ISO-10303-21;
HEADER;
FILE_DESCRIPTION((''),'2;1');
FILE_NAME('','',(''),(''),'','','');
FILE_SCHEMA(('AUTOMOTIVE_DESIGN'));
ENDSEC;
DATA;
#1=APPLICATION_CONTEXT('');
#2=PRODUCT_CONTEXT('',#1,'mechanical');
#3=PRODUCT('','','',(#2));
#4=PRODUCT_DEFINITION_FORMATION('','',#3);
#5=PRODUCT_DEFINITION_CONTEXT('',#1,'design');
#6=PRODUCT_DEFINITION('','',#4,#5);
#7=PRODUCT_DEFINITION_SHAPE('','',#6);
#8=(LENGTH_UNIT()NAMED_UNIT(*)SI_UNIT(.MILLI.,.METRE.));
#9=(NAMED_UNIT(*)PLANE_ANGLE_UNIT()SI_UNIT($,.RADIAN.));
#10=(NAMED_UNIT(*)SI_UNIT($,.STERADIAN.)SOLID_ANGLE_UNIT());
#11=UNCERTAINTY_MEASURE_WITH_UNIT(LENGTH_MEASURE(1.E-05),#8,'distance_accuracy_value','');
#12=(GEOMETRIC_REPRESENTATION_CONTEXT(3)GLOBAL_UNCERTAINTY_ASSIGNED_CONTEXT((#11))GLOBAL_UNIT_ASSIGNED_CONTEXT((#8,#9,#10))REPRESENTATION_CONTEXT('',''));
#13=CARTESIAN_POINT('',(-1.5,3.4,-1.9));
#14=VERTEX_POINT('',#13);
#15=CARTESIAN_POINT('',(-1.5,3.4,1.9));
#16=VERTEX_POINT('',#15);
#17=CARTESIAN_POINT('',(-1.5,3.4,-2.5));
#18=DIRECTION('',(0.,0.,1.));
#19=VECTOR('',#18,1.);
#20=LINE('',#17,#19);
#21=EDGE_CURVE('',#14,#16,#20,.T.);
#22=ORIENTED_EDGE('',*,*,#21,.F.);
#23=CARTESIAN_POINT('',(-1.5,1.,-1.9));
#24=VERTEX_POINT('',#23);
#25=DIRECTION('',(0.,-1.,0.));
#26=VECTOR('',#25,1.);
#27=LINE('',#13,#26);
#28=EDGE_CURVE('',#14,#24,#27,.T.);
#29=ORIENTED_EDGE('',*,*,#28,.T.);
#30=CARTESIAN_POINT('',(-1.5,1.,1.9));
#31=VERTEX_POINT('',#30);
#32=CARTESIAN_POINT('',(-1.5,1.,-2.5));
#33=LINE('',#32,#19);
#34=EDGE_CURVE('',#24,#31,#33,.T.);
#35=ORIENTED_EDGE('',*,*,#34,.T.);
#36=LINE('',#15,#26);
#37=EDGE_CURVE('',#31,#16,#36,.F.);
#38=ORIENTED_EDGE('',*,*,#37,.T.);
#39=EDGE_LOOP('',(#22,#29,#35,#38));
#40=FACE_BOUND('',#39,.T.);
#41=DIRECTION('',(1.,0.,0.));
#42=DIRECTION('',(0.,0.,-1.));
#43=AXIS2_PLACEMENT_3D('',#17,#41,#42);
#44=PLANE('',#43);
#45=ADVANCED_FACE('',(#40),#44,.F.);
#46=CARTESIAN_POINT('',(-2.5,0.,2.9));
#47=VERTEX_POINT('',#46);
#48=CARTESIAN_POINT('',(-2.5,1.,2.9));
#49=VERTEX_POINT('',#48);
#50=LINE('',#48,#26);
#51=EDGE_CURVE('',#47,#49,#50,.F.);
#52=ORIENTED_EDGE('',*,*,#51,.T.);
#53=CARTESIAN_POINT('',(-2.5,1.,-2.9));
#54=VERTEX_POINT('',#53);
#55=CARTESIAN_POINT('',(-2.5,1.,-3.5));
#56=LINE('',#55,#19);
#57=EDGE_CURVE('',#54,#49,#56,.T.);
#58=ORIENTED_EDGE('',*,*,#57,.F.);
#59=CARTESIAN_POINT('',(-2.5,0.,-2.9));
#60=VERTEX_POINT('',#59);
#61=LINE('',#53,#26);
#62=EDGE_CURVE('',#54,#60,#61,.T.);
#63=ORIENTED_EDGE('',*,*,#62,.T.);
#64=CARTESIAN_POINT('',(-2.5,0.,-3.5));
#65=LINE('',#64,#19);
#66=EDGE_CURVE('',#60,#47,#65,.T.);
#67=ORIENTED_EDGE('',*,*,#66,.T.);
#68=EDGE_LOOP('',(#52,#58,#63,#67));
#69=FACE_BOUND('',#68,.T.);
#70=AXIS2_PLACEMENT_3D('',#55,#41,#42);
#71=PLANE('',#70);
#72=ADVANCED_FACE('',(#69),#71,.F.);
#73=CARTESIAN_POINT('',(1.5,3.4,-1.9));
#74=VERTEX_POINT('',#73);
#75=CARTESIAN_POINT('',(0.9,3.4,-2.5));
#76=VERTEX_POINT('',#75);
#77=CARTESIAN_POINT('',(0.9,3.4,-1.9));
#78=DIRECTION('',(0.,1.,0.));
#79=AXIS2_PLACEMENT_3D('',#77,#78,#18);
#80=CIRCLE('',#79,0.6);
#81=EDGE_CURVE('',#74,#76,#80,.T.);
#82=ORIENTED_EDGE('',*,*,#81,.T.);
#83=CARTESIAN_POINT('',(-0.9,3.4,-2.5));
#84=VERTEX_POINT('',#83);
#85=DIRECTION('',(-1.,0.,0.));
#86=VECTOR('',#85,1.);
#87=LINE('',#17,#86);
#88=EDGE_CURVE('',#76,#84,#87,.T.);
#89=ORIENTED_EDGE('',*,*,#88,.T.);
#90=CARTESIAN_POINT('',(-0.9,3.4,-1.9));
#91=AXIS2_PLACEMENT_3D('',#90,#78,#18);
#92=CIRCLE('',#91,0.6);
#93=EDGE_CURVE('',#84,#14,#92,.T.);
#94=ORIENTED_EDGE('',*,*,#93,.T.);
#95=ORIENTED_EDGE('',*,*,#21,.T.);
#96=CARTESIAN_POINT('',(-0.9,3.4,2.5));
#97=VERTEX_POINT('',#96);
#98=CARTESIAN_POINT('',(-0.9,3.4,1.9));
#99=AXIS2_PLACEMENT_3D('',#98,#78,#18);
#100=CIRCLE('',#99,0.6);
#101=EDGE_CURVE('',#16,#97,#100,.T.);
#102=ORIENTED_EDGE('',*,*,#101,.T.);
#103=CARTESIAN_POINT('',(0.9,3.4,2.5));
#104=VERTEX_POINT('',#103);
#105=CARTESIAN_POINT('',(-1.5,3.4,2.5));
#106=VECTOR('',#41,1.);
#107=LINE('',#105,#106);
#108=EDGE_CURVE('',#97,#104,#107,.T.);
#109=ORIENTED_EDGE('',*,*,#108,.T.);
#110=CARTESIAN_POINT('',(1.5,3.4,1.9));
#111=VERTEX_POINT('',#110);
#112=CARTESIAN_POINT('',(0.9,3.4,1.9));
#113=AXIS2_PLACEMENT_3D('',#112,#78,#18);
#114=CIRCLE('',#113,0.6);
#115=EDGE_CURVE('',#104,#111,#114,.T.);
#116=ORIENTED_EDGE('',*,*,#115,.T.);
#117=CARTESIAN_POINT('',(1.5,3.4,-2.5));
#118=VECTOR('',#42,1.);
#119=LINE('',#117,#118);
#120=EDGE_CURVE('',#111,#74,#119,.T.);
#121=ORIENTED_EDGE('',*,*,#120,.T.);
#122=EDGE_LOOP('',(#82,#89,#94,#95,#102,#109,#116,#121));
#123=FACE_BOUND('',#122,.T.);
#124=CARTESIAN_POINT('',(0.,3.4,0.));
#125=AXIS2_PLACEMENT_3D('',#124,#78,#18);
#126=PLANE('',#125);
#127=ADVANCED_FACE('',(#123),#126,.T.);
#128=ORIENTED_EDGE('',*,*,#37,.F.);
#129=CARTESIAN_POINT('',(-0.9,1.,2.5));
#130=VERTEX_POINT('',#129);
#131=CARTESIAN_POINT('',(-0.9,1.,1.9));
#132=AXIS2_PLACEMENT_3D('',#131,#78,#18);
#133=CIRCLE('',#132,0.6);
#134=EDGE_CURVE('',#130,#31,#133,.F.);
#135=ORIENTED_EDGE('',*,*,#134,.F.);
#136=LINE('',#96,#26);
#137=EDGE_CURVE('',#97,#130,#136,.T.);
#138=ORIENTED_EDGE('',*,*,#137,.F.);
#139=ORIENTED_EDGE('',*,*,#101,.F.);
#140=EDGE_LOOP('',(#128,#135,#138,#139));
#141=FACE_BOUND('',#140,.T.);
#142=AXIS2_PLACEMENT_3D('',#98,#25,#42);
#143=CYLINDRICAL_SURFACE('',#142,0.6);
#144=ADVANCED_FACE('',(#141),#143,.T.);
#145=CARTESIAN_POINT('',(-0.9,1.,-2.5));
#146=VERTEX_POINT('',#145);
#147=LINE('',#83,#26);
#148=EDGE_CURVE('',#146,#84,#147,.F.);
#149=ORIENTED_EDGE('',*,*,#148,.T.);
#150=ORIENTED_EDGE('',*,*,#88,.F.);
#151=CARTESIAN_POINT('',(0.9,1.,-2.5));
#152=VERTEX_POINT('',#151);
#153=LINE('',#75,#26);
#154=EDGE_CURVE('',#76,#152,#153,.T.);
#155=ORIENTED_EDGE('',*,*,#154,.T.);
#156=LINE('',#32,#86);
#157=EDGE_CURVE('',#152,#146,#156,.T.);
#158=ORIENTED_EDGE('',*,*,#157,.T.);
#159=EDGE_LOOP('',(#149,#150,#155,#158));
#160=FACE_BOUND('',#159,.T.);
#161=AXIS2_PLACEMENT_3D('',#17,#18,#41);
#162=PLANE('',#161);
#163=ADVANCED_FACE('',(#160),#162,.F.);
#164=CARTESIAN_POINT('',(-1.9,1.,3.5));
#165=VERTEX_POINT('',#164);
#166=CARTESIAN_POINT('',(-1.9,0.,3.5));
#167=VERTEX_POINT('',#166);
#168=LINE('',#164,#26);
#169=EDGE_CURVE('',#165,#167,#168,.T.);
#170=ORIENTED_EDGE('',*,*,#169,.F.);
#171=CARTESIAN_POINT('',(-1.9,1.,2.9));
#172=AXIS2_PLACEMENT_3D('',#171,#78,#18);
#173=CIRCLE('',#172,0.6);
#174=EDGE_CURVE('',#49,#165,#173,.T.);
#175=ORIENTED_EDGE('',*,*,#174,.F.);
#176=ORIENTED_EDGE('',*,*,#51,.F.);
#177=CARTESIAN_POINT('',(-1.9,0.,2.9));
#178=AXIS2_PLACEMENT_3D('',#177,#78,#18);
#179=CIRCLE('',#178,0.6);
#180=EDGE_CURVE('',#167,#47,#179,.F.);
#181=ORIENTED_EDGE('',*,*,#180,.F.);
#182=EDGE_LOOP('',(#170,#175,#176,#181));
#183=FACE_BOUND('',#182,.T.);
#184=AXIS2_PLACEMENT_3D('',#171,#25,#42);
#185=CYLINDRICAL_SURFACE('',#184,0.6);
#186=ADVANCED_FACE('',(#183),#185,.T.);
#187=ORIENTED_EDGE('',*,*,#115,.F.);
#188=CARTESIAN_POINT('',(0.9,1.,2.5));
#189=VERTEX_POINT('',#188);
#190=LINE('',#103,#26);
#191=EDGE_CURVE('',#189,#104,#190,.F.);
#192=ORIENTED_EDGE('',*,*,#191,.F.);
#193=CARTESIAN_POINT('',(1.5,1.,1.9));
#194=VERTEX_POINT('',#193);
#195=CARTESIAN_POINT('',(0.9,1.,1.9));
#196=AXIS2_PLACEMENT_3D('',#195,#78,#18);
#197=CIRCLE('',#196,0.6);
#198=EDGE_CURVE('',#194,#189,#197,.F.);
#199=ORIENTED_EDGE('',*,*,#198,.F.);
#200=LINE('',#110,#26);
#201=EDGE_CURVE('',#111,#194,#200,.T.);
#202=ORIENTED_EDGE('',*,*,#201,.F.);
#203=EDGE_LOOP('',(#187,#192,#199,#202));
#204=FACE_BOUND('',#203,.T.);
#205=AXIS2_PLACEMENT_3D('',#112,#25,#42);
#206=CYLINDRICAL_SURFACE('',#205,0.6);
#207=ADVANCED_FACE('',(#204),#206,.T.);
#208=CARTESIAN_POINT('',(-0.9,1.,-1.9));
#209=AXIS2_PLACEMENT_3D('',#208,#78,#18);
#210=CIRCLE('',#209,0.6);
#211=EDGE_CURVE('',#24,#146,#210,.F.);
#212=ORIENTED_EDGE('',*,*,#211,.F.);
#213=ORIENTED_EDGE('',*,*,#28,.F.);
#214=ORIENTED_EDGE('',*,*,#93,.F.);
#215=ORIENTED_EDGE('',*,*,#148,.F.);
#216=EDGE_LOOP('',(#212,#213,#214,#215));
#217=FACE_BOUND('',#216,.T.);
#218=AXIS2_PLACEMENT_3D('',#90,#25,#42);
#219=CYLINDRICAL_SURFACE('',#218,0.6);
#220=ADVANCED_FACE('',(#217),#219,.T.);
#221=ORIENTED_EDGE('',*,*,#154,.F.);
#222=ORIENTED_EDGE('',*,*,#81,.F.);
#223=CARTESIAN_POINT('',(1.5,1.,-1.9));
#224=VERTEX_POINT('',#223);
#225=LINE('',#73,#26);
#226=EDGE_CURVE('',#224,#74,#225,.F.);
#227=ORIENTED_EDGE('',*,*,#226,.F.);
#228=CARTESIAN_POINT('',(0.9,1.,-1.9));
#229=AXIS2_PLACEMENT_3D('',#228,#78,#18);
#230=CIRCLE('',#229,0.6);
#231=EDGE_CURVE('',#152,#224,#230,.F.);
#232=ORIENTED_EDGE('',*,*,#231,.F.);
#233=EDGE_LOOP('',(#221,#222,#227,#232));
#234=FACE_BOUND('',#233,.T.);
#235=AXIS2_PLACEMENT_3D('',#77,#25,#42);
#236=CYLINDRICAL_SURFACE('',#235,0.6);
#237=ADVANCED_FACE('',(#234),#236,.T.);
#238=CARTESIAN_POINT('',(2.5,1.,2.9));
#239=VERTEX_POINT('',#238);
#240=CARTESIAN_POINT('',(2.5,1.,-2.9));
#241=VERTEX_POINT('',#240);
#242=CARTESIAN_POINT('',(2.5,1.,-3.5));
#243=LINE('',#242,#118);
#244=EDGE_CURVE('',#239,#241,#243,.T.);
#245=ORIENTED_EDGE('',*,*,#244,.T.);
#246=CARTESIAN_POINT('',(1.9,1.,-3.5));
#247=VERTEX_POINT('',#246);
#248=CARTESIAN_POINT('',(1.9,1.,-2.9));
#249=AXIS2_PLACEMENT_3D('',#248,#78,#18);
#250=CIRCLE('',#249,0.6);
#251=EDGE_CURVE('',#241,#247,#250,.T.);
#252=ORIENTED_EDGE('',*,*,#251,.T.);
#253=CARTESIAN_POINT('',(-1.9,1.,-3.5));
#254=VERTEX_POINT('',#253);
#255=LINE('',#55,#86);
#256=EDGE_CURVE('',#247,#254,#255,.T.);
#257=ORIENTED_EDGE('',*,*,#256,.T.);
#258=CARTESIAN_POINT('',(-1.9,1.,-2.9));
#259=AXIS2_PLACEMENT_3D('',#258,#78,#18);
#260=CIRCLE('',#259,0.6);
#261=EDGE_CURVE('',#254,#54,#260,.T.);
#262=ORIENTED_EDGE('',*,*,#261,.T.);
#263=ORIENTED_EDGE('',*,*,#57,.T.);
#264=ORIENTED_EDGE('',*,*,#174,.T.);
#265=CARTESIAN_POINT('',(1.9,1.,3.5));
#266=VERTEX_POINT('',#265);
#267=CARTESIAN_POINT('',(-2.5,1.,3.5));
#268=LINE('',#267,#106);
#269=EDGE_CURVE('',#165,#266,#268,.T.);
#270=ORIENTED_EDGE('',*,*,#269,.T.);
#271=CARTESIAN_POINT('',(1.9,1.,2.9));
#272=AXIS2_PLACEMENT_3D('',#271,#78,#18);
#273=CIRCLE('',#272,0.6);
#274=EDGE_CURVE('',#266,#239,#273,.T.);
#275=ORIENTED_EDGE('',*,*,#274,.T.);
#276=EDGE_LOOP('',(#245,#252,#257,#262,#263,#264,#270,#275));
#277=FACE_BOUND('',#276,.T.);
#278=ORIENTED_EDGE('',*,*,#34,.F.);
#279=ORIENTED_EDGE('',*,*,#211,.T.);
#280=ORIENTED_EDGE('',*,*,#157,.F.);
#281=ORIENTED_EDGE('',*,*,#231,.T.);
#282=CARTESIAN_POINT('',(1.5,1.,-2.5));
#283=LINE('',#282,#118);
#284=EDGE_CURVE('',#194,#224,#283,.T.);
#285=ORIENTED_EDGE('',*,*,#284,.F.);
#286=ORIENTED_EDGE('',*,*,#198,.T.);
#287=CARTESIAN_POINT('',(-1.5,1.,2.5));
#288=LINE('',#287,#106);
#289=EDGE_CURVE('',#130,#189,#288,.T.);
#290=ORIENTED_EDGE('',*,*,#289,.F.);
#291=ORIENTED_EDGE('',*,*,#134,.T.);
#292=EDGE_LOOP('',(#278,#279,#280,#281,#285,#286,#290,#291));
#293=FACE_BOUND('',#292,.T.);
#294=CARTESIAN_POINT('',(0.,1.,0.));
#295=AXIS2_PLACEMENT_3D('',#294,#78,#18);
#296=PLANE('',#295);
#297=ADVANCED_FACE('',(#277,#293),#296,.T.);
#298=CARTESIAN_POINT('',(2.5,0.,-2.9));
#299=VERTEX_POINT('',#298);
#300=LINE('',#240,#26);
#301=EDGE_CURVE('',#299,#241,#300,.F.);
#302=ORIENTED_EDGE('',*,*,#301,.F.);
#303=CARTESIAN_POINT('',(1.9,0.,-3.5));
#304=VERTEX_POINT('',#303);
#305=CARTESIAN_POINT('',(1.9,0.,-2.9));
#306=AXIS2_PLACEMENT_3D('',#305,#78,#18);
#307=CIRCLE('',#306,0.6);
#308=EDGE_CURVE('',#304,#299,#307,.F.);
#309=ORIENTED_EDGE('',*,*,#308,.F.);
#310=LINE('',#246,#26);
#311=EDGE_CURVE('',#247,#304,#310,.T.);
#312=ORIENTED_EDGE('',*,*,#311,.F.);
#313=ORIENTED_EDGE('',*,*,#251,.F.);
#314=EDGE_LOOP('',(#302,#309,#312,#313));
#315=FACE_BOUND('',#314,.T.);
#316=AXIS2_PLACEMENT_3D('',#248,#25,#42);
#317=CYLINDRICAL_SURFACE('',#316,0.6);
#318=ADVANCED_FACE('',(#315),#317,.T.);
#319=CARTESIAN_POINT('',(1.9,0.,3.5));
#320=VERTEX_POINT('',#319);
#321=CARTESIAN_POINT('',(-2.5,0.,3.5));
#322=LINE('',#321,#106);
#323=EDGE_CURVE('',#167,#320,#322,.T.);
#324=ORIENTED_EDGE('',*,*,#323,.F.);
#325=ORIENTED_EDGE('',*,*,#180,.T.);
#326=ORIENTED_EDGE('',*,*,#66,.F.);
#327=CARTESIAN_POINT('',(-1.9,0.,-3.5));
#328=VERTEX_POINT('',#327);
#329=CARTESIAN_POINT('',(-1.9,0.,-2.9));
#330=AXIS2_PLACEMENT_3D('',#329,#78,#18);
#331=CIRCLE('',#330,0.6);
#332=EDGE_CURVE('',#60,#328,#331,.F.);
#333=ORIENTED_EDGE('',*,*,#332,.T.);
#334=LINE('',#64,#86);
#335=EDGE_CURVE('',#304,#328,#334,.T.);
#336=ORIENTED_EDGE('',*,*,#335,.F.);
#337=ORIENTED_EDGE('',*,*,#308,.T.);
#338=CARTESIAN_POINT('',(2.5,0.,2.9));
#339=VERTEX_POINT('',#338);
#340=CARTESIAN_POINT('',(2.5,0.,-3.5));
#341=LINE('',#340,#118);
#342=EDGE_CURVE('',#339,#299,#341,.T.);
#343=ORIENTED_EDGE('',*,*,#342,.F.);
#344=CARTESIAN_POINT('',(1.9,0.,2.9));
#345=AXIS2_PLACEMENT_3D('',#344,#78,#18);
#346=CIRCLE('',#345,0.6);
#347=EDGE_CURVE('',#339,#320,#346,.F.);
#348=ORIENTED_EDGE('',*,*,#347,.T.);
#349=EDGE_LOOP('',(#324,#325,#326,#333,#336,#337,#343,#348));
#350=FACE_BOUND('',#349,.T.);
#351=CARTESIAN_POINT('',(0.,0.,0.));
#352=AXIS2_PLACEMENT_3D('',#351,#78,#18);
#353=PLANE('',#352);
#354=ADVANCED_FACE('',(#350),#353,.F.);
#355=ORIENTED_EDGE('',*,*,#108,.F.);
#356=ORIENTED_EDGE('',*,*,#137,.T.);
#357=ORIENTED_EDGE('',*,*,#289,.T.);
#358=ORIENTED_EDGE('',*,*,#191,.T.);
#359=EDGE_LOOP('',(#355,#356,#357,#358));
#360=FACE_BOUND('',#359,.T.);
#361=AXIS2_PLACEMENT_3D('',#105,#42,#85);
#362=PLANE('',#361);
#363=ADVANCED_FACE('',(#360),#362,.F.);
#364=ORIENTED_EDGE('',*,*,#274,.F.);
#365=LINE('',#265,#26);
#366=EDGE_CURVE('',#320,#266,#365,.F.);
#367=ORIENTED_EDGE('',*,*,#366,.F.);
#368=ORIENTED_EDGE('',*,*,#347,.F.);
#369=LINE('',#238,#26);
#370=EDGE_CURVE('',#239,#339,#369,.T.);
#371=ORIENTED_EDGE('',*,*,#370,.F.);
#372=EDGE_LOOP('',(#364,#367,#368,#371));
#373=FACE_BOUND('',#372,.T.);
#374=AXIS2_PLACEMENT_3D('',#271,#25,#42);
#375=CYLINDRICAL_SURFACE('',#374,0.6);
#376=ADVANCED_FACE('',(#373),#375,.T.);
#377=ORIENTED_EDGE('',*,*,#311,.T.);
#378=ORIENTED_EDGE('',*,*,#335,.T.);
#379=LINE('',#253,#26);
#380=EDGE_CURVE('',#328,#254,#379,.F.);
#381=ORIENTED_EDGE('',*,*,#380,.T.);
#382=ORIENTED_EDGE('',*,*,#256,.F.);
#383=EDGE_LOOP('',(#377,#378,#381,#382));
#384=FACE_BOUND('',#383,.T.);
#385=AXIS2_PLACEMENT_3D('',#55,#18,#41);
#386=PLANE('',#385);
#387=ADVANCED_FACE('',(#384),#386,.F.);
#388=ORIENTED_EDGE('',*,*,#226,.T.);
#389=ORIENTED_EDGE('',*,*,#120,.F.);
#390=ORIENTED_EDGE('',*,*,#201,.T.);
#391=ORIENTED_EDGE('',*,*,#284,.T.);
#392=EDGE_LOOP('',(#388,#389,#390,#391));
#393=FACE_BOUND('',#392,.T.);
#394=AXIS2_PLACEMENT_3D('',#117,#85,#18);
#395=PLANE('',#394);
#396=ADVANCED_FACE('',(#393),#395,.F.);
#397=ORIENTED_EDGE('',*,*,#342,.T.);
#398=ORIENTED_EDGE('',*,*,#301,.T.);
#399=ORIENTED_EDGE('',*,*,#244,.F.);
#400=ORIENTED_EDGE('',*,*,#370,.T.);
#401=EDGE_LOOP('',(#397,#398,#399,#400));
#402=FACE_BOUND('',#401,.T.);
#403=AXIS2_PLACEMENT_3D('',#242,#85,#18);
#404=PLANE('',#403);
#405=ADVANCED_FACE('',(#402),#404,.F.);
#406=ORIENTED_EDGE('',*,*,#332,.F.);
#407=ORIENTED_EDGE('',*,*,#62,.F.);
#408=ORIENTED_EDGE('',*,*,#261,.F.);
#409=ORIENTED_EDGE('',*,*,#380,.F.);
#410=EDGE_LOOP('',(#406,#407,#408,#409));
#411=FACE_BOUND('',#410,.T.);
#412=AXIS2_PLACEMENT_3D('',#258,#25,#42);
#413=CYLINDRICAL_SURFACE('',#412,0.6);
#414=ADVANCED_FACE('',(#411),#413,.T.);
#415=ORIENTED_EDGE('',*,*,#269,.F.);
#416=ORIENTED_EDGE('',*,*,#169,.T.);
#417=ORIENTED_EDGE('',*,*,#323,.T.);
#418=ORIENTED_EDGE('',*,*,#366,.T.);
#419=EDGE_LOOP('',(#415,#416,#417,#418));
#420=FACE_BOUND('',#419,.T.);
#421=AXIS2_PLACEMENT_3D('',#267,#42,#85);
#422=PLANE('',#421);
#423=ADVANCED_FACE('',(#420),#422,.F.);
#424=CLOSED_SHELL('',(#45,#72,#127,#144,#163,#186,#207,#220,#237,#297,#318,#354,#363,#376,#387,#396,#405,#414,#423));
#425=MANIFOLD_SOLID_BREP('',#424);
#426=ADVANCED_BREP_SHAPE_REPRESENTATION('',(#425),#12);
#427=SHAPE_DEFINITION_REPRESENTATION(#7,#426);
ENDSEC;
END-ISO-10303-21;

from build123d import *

# Parameters (mm, degrees)
SKETCH_1_W      = 5
SKETCH_1_H      = 7
EXTRUDE_1_DEPTH = 1
SKETCH_2_W      = 3
SKETCH_2_H      = 5
EXTRUDE_2_DEPTH = 2.4
FILLET_1_R      = 0.6


with BuildPart() as part:
    # 草图1 → 凸台-拉伸1 (new body)
    with BuildSketch(Plane(origin=(0, 0, 0), x_dir=(1, 0, 0), z_dir=(0, 1, 0))):
        Rectangle(SKETCH_1_W, SKETCH_1_H)
    extrude(amount=EXTRUDE_1_DEPTH)

    # 草图2 → 凸台-拉伸2 (add)
    with BuildSketch(Plane(origin=(0, 1, 0), x_dir=(1, 0, 0), z_dir=(0, 1, 0))):
        Rectangle(SKETCH_2_W, SKETCH_2_H)
    extrude(amount=EXTRUDE_2_DEPTH)

    # 圆角1
    fillet_1_edges = [part.edges().sort_by_distance(p)[0] for p in [
        (1.5, 2.2, 2.5),
        (1.5, 2.2, -2.5),
        (-1.5, 2.2, -2.5),
        (-1.5, 2.2, 2.5),
        (2.5, 0.5, 3.5),
        (-2.5, 0.5, 3.5),
        (-2.5, 0.5, -3.5),
        (2.5, 0.5, -3.5),
    ]]
    fillet(fillet_1_edges, radius=FILLET_1_R)


solid = part.part
